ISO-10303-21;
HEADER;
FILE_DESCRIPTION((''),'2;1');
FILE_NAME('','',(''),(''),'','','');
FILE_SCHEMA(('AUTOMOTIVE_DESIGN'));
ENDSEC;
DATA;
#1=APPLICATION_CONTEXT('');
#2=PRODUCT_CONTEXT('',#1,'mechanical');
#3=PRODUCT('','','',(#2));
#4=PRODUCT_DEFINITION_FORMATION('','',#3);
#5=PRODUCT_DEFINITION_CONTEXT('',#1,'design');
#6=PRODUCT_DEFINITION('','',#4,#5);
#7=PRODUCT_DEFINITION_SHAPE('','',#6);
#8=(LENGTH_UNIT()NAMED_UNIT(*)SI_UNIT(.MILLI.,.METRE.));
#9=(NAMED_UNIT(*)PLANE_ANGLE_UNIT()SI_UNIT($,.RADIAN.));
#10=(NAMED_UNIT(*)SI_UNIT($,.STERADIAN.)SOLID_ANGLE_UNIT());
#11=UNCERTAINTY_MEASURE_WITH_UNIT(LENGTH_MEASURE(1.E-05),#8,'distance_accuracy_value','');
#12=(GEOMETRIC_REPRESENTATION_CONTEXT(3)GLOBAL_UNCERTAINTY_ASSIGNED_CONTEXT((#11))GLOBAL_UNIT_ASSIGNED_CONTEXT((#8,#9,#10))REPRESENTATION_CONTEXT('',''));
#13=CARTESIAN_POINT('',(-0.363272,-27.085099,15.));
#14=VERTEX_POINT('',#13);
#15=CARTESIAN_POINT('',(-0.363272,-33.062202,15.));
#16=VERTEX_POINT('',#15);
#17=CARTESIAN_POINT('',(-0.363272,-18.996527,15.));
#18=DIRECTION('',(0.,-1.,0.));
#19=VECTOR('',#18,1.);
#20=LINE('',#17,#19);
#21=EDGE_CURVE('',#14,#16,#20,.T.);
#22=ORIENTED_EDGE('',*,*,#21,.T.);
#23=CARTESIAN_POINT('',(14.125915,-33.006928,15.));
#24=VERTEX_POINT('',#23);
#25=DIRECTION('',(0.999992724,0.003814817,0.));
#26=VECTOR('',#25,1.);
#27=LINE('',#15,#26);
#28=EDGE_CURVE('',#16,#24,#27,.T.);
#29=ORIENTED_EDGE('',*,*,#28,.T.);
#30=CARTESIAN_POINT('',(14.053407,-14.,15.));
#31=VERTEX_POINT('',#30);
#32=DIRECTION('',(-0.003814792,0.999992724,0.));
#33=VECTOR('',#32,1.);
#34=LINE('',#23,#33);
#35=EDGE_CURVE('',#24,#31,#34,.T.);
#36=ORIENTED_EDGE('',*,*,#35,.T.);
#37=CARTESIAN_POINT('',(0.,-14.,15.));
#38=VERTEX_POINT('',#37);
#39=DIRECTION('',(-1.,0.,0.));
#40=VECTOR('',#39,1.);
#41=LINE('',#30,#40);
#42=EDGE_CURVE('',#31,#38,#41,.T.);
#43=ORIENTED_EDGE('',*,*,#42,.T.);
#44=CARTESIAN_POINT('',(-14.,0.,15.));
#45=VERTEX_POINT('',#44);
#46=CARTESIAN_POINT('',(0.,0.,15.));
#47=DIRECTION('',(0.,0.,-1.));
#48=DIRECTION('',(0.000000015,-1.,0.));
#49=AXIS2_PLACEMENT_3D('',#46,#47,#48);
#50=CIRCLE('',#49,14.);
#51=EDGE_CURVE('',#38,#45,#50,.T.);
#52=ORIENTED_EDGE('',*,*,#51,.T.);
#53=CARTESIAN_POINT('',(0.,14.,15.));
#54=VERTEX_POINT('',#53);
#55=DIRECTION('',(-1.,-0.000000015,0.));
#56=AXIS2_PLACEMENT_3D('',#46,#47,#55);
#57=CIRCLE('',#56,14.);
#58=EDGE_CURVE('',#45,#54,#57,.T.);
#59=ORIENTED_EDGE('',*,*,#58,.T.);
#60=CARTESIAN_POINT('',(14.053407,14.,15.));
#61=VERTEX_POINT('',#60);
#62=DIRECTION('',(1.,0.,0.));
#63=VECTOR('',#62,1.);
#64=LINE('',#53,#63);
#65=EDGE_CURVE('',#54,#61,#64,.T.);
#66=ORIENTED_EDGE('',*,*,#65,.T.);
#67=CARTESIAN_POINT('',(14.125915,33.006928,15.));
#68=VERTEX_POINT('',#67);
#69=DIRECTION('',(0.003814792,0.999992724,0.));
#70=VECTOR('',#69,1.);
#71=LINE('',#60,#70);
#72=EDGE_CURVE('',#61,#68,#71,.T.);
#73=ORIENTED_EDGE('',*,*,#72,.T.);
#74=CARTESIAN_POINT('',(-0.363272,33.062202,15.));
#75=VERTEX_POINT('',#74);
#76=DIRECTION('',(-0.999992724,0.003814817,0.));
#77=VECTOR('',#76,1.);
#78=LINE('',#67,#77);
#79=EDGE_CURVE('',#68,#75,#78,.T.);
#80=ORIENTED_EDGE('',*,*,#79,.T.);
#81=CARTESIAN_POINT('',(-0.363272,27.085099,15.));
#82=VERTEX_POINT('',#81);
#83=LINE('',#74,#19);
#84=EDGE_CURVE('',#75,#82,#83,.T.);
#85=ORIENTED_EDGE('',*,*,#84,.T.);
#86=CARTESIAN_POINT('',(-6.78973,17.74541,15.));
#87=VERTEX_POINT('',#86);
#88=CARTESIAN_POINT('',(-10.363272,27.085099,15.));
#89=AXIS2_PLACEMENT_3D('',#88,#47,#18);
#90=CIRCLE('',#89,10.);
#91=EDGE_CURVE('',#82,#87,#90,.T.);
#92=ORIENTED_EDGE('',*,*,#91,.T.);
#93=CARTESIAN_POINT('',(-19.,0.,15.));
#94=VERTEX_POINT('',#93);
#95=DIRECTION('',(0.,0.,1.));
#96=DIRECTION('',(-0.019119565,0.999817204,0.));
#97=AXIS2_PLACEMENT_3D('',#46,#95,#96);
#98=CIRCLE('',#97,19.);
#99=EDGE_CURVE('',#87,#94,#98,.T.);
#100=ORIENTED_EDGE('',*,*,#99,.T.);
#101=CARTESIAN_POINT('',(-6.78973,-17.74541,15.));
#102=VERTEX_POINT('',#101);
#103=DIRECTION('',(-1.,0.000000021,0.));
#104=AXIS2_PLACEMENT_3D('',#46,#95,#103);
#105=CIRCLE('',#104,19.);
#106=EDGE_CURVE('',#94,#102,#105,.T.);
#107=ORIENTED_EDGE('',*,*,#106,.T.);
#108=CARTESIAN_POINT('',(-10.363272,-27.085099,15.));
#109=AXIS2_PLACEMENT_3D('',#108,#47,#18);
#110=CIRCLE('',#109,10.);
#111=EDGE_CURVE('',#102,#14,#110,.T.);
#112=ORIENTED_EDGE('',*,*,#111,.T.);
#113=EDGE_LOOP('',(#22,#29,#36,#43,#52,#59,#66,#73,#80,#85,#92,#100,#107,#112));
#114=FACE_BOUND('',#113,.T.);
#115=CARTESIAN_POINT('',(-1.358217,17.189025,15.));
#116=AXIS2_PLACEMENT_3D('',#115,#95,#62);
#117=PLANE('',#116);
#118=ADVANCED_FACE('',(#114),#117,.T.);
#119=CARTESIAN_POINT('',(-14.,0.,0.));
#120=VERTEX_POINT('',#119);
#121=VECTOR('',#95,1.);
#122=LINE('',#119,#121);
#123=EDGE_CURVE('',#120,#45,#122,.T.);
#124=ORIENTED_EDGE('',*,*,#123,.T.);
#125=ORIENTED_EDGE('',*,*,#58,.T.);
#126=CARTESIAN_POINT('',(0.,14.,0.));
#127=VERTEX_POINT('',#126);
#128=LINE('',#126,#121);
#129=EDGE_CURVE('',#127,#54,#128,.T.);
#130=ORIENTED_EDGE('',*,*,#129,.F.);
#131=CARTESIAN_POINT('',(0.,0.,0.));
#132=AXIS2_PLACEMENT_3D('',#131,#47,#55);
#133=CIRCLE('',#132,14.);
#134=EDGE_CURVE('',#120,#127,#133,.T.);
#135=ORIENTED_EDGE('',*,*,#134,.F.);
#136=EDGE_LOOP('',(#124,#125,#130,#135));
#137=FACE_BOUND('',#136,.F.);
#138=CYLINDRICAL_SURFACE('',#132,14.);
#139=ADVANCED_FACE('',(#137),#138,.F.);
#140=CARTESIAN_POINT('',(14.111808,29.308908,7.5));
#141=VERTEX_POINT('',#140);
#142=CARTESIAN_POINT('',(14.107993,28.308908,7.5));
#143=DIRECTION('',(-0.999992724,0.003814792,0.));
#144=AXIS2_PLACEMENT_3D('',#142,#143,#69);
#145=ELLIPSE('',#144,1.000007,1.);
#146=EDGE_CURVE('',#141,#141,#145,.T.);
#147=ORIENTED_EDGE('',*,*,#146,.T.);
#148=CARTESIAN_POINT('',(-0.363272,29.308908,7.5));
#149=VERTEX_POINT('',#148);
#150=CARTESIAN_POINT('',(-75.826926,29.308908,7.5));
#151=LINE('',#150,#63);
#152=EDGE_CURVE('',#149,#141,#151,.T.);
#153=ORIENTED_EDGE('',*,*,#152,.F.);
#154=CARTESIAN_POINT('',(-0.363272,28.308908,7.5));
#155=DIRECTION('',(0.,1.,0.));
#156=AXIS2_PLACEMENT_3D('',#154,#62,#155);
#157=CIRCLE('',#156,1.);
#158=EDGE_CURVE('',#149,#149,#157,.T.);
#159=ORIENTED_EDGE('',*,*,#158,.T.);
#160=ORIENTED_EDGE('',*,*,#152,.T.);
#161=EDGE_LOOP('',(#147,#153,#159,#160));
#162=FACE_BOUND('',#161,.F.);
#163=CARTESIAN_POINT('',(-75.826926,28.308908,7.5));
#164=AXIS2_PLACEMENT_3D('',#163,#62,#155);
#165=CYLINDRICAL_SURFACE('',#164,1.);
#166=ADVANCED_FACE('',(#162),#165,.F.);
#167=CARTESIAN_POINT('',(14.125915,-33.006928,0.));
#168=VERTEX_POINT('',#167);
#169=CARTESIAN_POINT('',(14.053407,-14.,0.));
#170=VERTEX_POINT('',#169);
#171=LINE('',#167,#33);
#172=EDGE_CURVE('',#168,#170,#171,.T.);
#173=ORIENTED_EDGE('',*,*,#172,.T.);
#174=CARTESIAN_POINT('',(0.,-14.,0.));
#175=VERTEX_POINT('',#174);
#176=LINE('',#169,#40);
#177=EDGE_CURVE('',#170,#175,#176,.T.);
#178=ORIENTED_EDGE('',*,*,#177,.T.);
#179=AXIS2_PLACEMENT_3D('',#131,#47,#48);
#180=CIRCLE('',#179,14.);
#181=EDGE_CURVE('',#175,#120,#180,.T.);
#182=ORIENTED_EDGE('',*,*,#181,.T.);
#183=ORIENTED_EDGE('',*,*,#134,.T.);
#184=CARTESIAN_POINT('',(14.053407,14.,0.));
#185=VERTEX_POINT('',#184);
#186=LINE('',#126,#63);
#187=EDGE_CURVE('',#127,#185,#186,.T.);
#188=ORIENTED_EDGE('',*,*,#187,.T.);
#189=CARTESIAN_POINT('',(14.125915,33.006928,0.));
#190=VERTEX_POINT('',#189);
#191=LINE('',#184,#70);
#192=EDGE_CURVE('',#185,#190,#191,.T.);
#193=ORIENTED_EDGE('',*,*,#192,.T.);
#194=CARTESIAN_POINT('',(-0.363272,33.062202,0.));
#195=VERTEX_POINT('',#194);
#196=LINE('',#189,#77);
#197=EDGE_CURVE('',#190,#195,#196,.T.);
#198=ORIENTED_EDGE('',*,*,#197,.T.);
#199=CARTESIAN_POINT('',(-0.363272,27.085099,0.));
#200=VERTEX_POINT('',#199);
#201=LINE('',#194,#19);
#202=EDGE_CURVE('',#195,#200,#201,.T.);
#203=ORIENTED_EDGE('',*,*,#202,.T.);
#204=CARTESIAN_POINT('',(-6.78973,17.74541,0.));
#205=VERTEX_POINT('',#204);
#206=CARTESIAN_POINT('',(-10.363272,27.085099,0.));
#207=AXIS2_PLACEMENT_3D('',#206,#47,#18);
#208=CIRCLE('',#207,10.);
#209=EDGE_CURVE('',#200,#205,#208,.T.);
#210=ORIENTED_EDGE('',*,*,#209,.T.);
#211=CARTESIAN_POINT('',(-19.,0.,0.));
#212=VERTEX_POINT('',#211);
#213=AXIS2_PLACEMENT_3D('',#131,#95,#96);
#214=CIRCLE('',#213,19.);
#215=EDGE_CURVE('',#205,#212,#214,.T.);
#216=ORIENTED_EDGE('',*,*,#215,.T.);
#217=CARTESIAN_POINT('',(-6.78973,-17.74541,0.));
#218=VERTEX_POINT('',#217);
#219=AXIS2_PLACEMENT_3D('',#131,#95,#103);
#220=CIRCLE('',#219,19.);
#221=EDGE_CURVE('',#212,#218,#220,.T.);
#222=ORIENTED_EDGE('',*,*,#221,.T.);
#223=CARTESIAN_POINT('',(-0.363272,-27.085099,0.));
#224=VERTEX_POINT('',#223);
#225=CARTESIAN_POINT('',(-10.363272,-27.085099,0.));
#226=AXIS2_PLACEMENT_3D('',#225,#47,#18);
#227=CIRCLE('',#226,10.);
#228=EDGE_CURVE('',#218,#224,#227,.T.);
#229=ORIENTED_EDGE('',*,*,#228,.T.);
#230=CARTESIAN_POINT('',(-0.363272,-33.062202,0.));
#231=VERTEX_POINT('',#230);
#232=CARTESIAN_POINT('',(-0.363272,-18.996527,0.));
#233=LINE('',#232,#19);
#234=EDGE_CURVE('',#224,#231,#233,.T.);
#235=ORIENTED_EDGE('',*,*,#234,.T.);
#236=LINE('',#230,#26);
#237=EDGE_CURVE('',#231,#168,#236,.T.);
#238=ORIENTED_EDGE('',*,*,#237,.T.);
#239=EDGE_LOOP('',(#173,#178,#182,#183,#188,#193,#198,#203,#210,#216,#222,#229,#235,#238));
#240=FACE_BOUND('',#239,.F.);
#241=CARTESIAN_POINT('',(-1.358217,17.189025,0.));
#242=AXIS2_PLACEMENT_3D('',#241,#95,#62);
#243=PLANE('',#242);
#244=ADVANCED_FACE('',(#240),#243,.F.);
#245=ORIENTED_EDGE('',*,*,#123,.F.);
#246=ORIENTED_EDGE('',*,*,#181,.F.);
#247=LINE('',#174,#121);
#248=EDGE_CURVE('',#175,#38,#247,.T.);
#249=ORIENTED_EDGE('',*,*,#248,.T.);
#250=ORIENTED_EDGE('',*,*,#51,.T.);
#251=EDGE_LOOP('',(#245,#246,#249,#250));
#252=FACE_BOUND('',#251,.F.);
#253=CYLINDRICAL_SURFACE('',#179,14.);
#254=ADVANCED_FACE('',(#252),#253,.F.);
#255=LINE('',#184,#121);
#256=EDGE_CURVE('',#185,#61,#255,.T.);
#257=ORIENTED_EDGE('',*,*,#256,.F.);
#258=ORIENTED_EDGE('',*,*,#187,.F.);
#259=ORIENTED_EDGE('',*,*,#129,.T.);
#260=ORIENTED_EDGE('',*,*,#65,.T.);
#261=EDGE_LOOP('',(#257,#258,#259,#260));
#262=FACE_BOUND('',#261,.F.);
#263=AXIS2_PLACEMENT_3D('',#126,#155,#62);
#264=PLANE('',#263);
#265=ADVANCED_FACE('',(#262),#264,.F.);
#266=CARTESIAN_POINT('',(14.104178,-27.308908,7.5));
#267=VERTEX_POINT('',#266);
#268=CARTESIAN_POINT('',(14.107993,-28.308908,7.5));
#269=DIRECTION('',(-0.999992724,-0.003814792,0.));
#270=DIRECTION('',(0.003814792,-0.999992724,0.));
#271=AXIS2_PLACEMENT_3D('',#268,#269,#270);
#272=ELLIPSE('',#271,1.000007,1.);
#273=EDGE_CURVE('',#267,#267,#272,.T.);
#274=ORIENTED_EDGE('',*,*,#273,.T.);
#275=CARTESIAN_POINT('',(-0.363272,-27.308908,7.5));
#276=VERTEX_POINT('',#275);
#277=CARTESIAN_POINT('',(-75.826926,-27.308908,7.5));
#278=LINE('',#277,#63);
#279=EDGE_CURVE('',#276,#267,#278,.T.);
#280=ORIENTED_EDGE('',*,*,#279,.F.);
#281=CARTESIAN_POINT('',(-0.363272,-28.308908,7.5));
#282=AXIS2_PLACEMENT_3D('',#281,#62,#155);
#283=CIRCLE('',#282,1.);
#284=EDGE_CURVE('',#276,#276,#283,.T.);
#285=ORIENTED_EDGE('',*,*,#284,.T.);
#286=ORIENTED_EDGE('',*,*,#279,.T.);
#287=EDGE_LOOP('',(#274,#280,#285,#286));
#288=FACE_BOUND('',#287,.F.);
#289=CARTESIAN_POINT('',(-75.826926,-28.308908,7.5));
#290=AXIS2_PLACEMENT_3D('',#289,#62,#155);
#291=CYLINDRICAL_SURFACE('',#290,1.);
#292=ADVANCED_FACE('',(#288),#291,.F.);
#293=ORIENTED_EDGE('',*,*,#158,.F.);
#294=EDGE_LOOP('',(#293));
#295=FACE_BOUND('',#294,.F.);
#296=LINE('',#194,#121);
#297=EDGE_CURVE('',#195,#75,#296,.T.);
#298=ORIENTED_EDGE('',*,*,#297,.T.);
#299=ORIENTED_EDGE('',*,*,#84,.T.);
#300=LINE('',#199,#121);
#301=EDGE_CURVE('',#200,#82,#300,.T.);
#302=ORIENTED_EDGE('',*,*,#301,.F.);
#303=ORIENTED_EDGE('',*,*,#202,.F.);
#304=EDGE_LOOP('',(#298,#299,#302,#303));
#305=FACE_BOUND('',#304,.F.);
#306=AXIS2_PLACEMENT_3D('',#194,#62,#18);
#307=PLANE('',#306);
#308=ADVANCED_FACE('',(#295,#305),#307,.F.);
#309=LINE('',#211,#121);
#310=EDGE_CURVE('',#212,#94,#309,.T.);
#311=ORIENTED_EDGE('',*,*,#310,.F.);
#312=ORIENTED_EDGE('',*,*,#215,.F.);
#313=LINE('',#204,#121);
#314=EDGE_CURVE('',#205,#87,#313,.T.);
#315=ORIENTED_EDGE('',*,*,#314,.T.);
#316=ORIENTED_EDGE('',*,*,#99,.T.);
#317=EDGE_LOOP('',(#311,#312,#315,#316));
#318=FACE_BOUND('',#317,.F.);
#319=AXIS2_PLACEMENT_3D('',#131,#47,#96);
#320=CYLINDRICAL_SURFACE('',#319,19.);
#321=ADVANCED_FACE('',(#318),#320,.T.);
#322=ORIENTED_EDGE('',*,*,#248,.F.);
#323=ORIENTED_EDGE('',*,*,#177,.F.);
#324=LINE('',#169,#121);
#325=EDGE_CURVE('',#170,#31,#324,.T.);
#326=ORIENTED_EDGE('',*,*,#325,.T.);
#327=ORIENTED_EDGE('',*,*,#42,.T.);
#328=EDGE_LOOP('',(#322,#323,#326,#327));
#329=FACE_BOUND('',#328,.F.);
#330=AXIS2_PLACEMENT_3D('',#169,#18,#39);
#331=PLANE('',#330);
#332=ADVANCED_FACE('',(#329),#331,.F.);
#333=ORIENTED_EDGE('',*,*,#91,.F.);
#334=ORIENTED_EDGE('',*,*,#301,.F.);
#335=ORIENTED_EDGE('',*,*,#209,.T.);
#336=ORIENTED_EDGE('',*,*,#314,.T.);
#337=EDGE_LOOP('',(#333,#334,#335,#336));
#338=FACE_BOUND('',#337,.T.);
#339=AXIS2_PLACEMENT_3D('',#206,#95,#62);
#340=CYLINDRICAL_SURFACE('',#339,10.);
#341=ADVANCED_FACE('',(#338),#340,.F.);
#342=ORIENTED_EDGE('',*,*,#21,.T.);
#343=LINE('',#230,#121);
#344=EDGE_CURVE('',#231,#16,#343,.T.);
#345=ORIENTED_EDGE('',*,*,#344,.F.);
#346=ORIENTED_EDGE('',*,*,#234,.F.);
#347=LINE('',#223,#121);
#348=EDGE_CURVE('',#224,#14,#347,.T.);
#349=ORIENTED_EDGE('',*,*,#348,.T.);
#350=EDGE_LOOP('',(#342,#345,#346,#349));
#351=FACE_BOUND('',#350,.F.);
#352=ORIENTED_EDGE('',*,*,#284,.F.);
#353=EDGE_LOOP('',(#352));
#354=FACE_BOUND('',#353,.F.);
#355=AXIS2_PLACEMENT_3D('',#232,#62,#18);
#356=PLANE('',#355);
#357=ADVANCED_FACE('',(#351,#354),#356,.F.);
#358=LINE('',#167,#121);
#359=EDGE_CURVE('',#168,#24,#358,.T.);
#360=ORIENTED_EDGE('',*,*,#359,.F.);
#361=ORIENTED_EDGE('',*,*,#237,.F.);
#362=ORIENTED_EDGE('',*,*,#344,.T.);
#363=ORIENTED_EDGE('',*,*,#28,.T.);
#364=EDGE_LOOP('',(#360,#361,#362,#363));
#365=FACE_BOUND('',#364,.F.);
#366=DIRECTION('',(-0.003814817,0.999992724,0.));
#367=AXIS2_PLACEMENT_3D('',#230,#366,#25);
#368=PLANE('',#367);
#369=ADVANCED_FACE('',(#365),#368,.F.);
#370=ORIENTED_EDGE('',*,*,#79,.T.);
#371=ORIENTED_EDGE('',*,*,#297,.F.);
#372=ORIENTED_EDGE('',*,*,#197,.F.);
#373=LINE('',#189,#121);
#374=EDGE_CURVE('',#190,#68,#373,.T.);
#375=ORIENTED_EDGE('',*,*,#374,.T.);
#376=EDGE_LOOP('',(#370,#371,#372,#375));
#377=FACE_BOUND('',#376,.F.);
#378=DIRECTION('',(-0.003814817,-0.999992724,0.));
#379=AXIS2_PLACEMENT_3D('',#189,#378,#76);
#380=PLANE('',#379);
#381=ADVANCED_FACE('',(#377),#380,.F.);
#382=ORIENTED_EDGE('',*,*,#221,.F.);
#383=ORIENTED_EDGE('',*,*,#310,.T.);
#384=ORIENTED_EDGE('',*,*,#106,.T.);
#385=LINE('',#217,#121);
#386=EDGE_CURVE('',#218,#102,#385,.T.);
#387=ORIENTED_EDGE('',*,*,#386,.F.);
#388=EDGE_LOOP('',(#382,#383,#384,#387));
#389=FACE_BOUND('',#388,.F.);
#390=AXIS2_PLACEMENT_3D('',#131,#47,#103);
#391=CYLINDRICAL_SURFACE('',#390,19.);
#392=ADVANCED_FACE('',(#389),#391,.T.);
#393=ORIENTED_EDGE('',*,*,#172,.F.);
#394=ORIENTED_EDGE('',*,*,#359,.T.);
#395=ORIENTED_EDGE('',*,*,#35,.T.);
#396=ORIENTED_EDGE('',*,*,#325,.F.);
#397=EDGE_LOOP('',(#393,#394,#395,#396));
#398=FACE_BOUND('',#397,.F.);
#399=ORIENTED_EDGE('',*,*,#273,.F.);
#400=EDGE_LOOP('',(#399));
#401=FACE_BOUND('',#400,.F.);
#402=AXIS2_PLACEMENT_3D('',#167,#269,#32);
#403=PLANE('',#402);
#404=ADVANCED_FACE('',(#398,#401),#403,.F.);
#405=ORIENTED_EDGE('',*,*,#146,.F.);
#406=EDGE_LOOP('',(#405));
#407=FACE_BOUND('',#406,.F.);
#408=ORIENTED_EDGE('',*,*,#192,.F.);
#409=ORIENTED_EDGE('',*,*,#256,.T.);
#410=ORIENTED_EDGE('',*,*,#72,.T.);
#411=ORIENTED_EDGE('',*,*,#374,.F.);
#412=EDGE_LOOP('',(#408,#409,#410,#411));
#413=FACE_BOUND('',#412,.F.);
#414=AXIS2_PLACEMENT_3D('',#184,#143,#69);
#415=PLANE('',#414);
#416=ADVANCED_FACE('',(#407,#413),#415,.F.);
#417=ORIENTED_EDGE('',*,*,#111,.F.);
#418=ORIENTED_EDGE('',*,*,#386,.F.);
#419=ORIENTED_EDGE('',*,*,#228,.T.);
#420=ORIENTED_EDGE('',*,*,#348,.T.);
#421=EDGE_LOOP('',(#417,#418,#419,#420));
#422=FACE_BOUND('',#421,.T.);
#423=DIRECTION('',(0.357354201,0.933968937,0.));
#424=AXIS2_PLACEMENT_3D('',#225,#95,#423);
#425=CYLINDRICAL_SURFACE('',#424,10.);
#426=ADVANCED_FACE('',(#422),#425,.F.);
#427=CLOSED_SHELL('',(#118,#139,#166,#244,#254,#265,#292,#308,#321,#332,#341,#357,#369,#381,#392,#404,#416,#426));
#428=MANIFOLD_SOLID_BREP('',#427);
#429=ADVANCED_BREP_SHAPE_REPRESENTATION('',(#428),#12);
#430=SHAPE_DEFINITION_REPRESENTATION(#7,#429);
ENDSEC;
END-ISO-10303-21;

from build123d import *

# Parameters (mm, degrees)
F1_DEPTH = 15
F2_R     = 10
F4_D     = 2


with BuildPart() as f1:
    # F0 (on Top) → F1 (new body)
    with BuildSketch(Plane.XY):
        with BuildLine():
            Line((-19, 0), (-14, 0))
            ThreePointArc((-14, 0), (-9.899495, 9.899495), (0, 14))
            Line((0, 14), (14.053407, 14))
            Line((14.053407, 14), (14.125915, 33.006928))
            Line((14.125915, 33.006928), (-0.363272, 33.062202))
            Line((-0.363272, 33.062202), (-0.363272, 18.996527))
            ThreePointArc((-0.363272, 18.996527), (-13.562857, 13.305973), (-19, 0))
        make_face()
        with BuildLine():
            ThreePointArc((0, -14), (-9.899495, -9.899495), (-14, 0))
            Line((-14, 0), (-19, 0))
            ThreePointArc((-19, 0), (-13.562857, -13.305973), (-0.363272, -18.996527))
            Line((-0.363272, -18.996527), (-0.363272, -33.062202))
            Line((-0.363272, -33.062202), (14.125915, -33.006928))
            Line((14.125915, -33.006928), (14.053407, -14))
            Line((14.053407, -14), (0, -14))
        make_face()
    extrude(amount=F1_DEPTH)

    # F2
    f2_edges = [f1.edges().sort_by_distance(p)[0] for p in [
        (-0.363272, 18.996527, 7.5),
        (-0.363272, -18.996527, 7.5),
    ]]
    fillet(f2_edges, radius=F2_R)

    # F4 (through all)
    with Locations(Plane(origin=(-0.363272, 0, 0), x_dir=(0, -1, 0), z_dir=(-1, 0, 0))):
        with Locations((-28.308908, 7.5), (28.308908, 7.5)):
            Hole(F4_D / 2)


solid = f1.part
